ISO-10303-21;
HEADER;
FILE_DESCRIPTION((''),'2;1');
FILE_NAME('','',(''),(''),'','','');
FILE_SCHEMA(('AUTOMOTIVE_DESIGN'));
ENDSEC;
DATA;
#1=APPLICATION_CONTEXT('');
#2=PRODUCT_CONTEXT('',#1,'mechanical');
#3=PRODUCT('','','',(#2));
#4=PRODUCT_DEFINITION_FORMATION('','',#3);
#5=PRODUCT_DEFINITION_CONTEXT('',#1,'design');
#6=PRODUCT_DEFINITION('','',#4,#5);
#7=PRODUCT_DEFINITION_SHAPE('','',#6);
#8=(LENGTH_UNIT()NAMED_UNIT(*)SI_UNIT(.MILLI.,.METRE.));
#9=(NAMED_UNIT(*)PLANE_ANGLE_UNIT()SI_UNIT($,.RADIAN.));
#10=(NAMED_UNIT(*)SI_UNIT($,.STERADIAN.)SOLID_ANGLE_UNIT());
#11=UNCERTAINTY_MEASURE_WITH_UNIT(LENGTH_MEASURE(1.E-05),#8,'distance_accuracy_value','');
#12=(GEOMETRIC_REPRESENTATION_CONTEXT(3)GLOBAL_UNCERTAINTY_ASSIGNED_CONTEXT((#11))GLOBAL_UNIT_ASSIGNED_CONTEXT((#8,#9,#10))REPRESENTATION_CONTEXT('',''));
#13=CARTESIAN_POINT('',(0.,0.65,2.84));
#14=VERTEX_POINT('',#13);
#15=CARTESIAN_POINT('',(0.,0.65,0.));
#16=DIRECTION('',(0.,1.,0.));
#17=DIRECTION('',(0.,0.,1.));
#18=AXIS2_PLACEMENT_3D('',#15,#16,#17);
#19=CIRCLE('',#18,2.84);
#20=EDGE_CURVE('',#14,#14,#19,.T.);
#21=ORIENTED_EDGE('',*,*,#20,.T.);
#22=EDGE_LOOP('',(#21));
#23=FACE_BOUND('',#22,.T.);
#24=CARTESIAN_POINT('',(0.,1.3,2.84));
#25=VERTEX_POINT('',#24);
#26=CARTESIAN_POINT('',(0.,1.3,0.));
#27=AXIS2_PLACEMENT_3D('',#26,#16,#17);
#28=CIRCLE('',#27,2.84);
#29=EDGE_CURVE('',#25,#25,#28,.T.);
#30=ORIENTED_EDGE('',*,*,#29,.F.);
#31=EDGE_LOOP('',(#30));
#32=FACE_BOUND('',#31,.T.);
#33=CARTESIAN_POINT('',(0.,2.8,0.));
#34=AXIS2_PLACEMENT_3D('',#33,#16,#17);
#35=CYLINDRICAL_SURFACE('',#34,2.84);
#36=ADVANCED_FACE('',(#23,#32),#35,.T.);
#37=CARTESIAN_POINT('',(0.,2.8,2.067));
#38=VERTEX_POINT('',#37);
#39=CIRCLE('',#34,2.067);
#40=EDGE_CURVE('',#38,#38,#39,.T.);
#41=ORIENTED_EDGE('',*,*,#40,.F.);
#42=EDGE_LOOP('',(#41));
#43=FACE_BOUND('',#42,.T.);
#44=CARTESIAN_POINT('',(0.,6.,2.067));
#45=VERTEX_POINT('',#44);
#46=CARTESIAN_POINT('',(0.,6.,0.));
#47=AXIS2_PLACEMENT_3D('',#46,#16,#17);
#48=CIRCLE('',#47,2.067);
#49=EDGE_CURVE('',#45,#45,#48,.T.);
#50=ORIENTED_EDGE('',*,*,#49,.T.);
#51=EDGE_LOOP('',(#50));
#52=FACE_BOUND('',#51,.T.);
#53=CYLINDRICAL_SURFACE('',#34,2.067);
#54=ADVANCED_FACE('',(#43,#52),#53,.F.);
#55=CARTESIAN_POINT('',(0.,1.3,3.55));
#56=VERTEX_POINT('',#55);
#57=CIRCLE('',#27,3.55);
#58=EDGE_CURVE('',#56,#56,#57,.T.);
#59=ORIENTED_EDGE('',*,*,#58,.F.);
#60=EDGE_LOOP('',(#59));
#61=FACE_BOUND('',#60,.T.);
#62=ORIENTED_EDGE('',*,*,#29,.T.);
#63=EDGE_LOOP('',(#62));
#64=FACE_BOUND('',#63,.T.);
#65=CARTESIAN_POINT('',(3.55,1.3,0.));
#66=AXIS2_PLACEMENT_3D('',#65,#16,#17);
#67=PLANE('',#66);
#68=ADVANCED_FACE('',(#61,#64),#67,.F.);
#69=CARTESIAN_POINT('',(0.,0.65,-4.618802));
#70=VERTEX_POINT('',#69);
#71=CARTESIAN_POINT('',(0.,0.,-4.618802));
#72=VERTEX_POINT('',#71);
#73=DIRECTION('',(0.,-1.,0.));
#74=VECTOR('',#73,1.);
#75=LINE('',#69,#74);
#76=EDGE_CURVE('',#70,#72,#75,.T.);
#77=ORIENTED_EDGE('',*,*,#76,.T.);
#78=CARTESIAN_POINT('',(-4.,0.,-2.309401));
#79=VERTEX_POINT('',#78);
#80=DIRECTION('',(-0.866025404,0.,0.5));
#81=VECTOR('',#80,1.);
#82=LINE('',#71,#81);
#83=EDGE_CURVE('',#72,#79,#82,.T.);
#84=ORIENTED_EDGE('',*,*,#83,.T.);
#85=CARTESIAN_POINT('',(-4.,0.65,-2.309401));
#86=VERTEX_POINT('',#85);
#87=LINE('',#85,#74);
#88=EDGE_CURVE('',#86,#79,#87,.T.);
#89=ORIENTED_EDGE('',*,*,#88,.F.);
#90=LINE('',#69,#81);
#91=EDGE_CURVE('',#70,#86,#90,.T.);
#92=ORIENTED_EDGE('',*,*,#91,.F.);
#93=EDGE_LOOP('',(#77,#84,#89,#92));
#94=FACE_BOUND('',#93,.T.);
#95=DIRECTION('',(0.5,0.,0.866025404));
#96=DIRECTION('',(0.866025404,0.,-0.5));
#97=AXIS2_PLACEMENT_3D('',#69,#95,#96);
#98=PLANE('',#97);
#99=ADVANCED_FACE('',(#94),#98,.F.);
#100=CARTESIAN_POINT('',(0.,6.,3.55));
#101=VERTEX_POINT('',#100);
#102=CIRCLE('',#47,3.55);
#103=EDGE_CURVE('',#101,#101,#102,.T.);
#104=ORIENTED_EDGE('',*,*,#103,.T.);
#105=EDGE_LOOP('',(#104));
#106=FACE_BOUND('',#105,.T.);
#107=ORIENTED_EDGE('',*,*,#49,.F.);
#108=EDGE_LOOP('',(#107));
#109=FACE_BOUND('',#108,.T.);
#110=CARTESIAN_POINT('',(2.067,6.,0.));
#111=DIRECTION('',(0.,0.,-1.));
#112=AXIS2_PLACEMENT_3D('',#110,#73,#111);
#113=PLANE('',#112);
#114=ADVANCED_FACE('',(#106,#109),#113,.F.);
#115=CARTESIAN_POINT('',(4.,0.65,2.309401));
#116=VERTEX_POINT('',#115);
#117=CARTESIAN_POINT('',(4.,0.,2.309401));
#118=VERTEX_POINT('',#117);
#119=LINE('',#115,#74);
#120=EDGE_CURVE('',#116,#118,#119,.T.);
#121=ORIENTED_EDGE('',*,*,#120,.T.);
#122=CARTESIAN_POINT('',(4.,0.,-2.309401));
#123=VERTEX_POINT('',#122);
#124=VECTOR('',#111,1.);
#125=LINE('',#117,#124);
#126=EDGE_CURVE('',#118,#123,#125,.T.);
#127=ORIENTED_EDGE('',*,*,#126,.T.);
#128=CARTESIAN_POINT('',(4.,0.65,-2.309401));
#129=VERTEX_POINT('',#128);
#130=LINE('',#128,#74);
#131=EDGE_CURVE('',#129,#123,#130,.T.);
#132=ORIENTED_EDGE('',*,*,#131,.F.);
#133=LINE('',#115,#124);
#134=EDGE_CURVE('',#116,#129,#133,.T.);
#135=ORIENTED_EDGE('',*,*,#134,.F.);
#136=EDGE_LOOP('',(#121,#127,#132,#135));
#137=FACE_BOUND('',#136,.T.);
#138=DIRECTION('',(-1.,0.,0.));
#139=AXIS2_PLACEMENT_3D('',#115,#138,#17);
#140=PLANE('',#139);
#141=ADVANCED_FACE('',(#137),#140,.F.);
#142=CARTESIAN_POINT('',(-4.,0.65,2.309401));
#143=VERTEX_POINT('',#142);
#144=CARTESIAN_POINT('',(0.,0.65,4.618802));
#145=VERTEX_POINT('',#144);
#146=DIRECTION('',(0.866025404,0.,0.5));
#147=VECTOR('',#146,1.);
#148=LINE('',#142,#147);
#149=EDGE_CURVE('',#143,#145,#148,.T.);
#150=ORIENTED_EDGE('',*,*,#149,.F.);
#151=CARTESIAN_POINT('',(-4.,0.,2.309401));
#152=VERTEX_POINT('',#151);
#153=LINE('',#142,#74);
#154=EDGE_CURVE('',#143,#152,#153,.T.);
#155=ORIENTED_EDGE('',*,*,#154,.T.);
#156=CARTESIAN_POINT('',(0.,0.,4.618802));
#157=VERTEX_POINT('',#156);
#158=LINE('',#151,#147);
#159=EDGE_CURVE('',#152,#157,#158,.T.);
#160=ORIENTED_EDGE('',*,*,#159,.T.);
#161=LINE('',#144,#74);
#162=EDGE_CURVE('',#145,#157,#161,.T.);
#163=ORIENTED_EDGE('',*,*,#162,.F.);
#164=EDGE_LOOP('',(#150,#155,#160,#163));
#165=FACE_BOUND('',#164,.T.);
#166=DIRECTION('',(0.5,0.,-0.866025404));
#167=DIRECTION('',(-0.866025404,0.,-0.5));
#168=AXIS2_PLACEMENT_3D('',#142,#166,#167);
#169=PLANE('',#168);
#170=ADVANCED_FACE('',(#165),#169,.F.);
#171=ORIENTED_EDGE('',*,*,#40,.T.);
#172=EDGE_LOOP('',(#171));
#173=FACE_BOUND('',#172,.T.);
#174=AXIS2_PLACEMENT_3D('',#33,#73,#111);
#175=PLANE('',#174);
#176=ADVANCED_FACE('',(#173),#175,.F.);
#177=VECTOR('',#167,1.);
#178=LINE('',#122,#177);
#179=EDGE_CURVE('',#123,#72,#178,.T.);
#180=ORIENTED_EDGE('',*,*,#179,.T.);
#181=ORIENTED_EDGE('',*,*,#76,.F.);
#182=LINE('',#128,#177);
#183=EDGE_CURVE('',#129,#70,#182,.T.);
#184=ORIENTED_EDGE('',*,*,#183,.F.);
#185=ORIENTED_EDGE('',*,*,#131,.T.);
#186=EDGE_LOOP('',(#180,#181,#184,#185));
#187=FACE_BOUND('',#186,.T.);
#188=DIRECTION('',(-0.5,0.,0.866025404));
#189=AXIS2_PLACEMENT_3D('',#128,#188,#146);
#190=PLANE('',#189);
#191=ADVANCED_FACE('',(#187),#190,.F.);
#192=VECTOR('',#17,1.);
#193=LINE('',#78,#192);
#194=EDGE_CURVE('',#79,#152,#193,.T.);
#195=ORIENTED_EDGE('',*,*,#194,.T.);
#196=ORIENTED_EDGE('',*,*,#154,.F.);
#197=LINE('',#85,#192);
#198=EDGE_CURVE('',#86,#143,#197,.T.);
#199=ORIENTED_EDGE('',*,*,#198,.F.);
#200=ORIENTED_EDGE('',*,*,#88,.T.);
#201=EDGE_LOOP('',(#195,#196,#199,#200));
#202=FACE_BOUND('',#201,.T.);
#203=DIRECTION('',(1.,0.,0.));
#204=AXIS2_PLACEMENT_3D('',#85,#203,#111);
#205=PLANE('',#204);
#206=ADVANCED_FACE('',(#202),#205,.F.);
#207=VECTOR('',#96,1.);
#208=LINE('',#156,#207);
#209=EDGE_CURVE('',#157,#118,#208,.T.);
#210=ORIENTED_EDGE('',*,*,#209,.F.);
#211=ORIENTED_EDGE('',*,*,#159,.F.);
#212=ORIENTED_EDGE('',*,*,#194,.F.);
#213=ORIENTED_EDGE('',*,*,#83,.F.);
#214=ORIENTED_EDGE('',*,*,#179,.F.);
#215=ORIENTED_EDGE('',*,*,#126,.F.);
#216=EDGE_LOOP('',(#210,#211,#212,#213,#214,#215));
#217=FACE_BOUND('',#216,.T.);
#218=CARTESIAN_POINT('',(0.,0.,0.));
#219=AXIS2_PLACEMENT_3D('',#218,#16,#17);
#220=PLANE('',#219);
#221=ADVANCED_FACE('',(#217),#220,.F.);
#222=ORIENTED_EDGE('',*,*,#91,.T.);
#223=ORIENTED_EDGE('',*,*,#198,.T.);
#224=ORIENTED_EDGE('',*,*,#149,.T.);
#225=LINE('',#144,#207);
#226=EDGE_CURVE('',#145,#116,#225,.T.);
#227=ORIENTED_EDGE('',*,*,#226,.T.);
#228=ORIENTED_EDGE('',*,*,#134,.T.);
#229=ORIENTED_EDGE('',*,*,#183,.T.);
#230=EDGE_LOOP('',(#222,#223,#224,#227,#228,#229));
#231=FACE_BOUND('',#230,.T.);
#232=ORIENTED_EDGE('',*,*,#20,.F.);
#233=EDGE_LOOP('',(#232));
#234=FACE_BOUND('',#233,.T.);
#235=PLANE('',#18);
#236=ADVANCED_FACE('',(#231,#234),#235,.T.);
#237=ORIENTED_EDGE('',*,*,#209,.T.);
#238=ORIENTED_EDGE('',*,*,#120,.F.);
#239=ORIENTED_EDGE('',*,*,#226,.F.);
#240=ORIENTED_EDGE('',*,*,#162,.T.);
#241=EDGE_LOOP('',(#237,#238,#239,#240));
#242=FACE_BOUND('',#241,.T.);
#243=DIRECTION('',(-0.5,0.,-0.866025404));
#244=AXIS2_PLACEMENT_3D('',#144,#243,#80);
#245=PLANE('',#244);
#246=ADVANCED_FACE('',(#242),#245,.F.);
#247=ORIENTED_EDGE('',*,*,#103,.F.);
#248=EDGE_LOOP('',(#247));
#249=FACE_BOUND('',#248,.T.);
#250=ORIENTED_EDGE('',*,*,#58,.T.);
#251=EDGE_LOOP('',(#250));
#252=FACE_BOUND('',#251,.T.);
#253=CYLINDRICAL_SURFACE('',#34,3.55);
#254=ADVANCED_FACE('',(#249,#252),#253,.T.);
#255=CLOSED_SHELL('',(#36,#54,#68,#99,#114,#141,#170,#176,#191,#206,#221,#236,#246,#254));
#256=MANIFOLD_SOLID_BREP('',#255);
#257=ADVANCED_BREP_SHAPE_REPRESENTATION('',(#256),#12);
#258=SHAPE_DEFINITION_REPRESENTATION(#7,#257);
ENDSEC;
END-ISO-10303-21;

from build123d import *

# Parameters (mm, degrees)
EXTRUDE_1_DEPTH = 0.65


with BuildPart() as part:
    # Эскиз1 → Бобышка-Вытянуть1 (new body)
    with BuildSketch(Plane(origin=(0, 0, 0), x_dir=(1, 0, 0), z_dir=(0, 1, 0))):
        Polygon((0, -4.618802154), (4, -2.309401077), (4, 2.309401077), (0, 4.618802154), (-4, 2.309401077), (-4, -2.309401077), align=None)
    extrude(amount=EXTRUDE_1_DEPTH)

    # Эскиз6 → Повернуть1 (revolve)
    with BuildSketch(Plane.XY, mode=Mode.PRIVATE) as revolve_1_sk:
        Polygon((3.55, 6), (3.55, 1.3), (2.84, 1.3), (2.84, 0.65), (0, 0.65), (0, 2.8), (2.067, 2.8), (2.067, 6), align=None)
    revolve(revolve_1_sk.sketch.rotate(Axis((0, 2.8, 0), (0, -1, 0)), 90), axis=Axis((0, 2.8, 0), (0, -1, 0)))


solid = part.part
